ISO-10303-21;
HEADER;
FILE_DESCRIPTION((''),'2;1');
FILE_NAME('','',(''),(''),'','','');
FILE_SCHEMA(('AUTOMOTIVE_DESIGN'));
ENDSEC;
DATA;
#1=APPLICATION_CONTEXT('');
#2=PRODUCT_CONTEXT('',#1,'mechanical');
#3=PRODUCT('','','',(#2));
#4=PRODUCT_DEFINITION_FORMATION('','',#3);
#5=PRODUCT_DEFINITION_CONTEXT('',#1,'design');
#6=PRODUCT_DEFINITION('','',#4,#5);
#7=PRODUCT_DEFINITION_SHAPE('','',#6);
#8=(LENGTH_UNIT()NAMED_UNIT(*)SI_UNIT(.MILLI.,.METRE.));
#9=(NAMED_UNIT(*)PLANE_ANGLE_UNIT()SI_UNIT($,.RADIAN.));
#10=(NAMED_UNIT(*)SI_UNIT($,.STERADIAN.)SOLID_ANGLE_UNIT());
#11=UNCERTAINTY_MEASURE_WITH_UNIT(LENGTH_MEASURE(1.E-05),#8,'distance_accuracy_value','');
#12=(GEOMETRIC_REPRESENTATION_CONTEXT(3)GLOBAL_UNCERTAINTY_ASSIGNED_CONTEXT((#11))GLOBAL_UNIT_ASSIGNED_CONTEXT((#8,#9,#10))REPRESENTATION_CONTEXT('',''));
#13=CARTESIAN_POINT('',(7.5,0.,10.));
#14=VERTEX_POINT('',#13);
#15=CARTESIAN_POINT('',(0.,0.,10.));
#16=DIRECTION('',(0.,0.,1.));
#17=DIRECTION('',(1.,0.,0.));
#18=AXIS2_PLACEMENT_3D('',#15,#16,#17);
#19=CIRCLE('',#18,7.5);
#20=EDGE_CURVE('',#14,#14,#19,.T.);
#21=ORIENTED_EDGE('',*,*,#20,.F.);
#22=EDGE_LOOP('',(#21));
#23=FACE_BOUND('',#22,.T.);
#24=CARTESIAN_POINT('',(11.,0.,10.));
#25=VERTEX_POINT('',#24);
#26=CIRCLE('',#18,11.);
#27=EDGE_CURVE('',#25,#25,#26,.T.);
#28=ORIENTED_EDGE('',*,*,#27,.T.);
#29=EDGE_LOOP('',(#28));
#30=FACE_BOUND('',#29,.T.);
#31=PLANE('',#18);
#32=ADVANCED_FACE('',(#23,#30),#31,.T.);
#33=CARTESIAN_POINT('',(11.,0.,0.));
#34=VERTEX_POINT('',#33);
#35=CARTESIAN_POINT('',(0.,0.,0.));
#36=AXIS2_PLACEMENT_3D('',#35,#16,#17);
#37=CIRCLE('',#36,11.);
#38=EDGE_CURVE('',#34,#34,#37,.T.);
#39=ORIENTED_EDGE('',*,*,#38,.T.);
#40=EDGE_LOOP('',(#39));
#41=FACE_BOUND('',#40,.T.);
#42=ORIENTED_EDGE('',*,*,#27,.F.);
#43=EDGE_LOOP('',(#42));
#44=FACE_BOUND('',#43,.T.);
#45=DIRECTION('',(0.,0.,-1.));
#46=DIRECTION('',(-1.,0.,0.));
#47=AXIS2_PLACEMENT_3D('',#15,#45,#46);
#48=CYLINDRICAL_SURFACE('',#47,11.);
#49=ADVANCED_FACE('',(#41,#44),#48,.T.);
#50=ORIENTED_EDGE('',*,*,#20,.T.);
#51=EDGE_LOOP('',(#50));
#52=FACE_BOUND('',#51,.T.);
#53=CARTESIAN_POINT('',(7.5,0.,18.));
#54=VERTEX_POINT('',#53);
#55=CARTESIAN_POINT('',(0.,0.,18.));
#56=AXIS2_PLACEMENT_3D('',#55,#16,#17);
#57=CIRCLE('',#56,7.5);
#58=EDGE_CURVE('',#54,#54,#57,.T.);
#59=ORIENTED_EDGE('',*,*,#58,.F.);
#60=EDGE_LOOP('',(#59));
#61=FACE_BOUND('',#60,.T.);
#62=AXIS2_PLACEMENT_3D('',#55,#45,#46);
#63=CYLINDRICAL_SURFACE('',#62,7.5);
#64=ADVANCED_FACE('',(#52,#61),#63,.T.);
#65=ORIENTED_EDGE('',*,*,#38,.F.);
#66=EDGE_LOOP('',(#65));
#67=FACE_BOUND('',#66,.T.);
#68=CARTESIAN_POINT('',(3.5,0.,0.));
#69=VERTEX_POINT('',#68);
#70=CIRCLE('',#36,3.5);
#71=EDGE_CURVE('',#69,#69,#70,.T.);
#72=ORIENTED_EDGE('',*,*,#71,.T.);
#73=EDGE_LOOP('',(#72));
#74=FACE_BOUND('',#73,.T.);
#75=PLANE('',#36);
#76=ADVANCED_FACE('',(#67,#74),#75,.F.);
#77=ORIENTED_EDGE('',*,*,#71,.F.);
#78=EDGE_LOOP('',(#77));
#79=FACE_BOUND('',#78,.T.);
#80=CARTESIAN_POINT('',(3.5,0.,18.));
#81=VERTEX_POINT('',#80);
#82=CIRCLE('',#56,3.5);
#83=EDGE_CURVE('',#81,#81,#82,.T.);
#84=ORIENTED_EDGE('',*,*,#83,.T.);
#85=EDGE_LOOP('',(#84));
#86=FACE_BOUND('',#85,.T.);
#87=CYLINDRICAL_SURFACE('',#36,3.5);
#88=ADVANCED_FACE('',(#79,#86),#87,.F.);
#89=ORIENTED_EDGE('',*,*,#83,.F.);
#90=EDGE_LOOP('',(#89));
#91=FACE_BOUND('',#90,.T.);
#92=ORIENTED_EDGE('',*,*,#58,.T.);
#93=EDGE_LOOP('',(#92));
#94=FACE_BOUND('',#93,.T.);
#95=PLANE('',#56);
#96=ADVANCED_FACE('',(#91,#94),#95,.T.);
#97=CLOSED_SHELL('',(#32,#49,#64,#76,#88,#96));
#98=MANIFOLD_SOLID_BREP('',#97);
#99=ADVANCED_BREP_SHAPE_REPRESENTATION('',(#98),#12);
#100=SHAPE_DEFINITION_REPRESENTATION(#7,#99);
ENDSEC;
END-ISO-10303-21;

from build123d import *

# Parameters (mm, degrees)
SKETCH_1_R          = 11
EXTRUDE_1_DEPTH     = 10
SKETCH_2_R          = 7.5
EXTRUDE_2_DEPTH     = 8
SKETCH_3_R          = 3.5
CUT_EXTRUDE_1_DEPTH = 19


with BuildPart() as part:
    # 草图1 → 凸台-拉伸1 (new body)
    with BuildSketch(Plane.XY):
        Circle(SKETCH_1_R)
    extrude(amount=EXTRUDE_1_DEPTH)

    # 草图2 → 凸台-拉伸2 (add)
    with BuildSketch(Plane.XY.offset(10)):
        Circle(SKETCH_2_R)
    extrude(amount=EXTRUDE_2_DEPTH)

    # 草图3 → 切除-拉伸1 (cut, through all)
    with BuildSketch(Plane.XY.offset(18)):
        Circle(SKETCH_3_R)
    extrude(amount=-CUT_EXTRUDE_1_DEPTH, mode=Mode.SUBTRACT)


solid = part.part
